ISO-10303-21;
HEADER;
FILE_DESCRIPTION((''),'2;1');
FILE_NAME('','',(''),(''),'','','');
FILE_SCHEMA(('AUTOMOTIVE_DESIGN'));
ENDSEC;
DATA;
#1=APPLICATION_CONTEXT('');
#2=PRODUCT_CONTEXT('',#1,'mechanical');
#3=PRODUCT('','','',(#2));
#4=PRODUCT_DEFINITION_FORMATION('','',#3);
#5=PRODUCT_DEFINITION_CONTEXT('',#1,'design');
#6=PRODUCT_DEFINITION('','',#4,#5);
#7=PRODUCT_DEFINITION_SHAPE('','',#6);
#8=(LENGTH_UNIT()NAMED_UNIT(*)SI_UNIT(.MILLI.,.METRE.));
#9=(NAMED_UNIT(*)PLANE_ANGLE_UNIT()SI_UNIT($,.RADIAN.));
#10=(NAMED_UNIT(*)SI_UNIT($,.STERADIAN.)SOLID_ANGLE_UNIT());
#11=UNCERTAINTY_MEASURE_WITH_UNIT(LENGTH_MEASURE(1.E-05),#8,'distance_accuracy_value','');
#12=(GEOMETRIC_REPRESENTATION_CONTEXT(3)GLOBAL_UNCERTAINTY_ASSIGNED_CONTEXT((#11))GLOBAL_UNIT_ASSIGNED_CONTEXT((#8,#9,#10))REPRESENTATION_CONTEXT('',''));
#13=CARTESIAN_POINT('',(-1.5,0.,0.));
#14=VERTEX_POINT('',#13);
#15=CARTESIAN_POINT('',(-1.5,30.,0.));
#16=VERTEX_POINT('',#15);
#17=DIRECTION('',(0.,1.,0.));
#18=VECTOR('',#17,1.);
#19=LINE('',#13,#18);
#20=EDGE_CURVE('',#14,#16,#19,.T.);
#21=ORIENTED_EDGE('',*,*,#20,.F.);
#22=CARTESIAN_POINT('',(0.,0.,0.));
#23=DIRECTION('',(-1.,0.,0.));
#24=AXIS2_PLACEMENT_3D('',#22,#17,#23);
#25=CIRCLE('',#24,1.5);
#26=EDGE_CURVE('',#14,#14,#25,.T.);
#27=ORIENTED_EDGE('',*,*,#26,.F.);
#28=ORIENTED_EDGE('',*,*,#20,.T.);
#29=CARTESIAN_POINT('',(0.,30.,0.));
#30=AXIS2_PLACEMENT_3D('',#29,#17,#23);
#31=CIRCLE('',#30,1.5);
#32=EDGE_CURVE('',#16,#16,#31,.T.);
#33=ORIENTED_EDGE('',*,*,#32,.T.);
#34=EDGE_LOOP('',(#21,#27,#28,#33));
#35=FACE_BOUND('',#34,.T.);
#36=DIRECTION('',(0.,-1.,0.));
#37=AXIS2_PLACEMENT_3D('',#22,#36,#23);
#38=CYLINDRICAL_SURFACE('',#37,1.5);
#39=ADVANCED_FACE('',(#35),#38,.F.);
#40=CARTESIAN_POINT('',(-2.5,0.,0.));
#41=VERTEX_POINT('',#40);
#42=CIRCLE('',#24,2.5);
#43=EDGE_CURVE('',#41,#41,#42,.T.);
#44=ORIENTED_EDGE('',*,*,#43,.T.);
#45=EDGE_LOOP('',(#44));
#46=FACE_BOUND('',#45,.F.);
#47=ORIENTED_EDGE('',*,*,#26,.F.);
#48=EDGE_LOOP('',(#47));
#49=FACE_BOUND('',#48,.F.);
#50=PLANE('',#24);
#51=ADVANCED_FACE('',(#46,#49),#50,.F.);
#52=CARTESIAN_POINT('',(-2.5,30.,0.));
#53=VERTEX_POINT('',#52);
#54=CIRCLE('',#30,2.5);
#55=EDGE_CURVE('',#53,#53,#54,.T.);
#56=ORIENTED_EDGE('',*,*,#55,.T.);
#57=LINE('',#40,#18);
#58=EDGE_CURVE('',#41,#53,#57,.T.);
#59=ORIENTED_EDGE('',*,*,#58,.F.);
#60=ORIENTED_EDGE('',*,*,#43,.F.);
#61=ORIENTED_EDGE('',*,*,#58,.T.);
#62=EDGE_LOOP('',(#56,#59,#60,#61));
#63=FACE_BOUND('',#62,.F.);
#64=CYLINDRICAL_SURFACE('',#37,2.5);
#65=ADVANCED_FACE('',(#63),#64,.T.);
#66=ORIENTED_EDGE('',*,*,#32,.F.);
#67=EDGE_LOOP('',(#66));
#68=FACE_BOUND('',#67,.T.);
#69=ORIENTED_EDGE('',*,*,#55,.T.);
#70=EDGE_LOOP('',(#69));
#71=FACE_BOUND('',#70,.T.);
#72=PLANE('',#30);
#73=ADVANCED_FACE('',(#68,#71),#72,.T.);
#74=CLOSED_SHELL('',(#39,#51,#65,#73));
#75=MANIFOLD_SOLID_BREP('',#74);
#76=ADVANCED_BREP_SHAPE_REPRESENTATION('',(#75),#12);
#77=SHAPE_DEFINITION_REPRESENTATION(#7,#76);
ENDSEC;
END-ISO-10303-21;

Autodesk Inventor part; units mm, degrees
ref_plane "YZ Plane" through (0, 0, 0) normal (1, 0, 0) x (0, 1, 0)
ref_plane "XZ Plane" through (0, 0, 0) normal (0, 1, 0) x (-1, 0, 0)
ref_plane "XY Plane" through (0, 0, 0) normal (0, 0, 1) x (1, 0, 0)
sketch "Sketch1" plane through (0, 0, 0) normal (0, 1, 0) x (-1, 0, 0)
  circle A0 centre (0, 0) radius 1.5
  circle A1 centre (0, 0) radius 2.5
  dimension "d0" = 3
  dimension "d1" = 5
extrude "Extrusion1" add sketch "Sketch1" along normal blind 30
properties part number "spacer_3cm"
